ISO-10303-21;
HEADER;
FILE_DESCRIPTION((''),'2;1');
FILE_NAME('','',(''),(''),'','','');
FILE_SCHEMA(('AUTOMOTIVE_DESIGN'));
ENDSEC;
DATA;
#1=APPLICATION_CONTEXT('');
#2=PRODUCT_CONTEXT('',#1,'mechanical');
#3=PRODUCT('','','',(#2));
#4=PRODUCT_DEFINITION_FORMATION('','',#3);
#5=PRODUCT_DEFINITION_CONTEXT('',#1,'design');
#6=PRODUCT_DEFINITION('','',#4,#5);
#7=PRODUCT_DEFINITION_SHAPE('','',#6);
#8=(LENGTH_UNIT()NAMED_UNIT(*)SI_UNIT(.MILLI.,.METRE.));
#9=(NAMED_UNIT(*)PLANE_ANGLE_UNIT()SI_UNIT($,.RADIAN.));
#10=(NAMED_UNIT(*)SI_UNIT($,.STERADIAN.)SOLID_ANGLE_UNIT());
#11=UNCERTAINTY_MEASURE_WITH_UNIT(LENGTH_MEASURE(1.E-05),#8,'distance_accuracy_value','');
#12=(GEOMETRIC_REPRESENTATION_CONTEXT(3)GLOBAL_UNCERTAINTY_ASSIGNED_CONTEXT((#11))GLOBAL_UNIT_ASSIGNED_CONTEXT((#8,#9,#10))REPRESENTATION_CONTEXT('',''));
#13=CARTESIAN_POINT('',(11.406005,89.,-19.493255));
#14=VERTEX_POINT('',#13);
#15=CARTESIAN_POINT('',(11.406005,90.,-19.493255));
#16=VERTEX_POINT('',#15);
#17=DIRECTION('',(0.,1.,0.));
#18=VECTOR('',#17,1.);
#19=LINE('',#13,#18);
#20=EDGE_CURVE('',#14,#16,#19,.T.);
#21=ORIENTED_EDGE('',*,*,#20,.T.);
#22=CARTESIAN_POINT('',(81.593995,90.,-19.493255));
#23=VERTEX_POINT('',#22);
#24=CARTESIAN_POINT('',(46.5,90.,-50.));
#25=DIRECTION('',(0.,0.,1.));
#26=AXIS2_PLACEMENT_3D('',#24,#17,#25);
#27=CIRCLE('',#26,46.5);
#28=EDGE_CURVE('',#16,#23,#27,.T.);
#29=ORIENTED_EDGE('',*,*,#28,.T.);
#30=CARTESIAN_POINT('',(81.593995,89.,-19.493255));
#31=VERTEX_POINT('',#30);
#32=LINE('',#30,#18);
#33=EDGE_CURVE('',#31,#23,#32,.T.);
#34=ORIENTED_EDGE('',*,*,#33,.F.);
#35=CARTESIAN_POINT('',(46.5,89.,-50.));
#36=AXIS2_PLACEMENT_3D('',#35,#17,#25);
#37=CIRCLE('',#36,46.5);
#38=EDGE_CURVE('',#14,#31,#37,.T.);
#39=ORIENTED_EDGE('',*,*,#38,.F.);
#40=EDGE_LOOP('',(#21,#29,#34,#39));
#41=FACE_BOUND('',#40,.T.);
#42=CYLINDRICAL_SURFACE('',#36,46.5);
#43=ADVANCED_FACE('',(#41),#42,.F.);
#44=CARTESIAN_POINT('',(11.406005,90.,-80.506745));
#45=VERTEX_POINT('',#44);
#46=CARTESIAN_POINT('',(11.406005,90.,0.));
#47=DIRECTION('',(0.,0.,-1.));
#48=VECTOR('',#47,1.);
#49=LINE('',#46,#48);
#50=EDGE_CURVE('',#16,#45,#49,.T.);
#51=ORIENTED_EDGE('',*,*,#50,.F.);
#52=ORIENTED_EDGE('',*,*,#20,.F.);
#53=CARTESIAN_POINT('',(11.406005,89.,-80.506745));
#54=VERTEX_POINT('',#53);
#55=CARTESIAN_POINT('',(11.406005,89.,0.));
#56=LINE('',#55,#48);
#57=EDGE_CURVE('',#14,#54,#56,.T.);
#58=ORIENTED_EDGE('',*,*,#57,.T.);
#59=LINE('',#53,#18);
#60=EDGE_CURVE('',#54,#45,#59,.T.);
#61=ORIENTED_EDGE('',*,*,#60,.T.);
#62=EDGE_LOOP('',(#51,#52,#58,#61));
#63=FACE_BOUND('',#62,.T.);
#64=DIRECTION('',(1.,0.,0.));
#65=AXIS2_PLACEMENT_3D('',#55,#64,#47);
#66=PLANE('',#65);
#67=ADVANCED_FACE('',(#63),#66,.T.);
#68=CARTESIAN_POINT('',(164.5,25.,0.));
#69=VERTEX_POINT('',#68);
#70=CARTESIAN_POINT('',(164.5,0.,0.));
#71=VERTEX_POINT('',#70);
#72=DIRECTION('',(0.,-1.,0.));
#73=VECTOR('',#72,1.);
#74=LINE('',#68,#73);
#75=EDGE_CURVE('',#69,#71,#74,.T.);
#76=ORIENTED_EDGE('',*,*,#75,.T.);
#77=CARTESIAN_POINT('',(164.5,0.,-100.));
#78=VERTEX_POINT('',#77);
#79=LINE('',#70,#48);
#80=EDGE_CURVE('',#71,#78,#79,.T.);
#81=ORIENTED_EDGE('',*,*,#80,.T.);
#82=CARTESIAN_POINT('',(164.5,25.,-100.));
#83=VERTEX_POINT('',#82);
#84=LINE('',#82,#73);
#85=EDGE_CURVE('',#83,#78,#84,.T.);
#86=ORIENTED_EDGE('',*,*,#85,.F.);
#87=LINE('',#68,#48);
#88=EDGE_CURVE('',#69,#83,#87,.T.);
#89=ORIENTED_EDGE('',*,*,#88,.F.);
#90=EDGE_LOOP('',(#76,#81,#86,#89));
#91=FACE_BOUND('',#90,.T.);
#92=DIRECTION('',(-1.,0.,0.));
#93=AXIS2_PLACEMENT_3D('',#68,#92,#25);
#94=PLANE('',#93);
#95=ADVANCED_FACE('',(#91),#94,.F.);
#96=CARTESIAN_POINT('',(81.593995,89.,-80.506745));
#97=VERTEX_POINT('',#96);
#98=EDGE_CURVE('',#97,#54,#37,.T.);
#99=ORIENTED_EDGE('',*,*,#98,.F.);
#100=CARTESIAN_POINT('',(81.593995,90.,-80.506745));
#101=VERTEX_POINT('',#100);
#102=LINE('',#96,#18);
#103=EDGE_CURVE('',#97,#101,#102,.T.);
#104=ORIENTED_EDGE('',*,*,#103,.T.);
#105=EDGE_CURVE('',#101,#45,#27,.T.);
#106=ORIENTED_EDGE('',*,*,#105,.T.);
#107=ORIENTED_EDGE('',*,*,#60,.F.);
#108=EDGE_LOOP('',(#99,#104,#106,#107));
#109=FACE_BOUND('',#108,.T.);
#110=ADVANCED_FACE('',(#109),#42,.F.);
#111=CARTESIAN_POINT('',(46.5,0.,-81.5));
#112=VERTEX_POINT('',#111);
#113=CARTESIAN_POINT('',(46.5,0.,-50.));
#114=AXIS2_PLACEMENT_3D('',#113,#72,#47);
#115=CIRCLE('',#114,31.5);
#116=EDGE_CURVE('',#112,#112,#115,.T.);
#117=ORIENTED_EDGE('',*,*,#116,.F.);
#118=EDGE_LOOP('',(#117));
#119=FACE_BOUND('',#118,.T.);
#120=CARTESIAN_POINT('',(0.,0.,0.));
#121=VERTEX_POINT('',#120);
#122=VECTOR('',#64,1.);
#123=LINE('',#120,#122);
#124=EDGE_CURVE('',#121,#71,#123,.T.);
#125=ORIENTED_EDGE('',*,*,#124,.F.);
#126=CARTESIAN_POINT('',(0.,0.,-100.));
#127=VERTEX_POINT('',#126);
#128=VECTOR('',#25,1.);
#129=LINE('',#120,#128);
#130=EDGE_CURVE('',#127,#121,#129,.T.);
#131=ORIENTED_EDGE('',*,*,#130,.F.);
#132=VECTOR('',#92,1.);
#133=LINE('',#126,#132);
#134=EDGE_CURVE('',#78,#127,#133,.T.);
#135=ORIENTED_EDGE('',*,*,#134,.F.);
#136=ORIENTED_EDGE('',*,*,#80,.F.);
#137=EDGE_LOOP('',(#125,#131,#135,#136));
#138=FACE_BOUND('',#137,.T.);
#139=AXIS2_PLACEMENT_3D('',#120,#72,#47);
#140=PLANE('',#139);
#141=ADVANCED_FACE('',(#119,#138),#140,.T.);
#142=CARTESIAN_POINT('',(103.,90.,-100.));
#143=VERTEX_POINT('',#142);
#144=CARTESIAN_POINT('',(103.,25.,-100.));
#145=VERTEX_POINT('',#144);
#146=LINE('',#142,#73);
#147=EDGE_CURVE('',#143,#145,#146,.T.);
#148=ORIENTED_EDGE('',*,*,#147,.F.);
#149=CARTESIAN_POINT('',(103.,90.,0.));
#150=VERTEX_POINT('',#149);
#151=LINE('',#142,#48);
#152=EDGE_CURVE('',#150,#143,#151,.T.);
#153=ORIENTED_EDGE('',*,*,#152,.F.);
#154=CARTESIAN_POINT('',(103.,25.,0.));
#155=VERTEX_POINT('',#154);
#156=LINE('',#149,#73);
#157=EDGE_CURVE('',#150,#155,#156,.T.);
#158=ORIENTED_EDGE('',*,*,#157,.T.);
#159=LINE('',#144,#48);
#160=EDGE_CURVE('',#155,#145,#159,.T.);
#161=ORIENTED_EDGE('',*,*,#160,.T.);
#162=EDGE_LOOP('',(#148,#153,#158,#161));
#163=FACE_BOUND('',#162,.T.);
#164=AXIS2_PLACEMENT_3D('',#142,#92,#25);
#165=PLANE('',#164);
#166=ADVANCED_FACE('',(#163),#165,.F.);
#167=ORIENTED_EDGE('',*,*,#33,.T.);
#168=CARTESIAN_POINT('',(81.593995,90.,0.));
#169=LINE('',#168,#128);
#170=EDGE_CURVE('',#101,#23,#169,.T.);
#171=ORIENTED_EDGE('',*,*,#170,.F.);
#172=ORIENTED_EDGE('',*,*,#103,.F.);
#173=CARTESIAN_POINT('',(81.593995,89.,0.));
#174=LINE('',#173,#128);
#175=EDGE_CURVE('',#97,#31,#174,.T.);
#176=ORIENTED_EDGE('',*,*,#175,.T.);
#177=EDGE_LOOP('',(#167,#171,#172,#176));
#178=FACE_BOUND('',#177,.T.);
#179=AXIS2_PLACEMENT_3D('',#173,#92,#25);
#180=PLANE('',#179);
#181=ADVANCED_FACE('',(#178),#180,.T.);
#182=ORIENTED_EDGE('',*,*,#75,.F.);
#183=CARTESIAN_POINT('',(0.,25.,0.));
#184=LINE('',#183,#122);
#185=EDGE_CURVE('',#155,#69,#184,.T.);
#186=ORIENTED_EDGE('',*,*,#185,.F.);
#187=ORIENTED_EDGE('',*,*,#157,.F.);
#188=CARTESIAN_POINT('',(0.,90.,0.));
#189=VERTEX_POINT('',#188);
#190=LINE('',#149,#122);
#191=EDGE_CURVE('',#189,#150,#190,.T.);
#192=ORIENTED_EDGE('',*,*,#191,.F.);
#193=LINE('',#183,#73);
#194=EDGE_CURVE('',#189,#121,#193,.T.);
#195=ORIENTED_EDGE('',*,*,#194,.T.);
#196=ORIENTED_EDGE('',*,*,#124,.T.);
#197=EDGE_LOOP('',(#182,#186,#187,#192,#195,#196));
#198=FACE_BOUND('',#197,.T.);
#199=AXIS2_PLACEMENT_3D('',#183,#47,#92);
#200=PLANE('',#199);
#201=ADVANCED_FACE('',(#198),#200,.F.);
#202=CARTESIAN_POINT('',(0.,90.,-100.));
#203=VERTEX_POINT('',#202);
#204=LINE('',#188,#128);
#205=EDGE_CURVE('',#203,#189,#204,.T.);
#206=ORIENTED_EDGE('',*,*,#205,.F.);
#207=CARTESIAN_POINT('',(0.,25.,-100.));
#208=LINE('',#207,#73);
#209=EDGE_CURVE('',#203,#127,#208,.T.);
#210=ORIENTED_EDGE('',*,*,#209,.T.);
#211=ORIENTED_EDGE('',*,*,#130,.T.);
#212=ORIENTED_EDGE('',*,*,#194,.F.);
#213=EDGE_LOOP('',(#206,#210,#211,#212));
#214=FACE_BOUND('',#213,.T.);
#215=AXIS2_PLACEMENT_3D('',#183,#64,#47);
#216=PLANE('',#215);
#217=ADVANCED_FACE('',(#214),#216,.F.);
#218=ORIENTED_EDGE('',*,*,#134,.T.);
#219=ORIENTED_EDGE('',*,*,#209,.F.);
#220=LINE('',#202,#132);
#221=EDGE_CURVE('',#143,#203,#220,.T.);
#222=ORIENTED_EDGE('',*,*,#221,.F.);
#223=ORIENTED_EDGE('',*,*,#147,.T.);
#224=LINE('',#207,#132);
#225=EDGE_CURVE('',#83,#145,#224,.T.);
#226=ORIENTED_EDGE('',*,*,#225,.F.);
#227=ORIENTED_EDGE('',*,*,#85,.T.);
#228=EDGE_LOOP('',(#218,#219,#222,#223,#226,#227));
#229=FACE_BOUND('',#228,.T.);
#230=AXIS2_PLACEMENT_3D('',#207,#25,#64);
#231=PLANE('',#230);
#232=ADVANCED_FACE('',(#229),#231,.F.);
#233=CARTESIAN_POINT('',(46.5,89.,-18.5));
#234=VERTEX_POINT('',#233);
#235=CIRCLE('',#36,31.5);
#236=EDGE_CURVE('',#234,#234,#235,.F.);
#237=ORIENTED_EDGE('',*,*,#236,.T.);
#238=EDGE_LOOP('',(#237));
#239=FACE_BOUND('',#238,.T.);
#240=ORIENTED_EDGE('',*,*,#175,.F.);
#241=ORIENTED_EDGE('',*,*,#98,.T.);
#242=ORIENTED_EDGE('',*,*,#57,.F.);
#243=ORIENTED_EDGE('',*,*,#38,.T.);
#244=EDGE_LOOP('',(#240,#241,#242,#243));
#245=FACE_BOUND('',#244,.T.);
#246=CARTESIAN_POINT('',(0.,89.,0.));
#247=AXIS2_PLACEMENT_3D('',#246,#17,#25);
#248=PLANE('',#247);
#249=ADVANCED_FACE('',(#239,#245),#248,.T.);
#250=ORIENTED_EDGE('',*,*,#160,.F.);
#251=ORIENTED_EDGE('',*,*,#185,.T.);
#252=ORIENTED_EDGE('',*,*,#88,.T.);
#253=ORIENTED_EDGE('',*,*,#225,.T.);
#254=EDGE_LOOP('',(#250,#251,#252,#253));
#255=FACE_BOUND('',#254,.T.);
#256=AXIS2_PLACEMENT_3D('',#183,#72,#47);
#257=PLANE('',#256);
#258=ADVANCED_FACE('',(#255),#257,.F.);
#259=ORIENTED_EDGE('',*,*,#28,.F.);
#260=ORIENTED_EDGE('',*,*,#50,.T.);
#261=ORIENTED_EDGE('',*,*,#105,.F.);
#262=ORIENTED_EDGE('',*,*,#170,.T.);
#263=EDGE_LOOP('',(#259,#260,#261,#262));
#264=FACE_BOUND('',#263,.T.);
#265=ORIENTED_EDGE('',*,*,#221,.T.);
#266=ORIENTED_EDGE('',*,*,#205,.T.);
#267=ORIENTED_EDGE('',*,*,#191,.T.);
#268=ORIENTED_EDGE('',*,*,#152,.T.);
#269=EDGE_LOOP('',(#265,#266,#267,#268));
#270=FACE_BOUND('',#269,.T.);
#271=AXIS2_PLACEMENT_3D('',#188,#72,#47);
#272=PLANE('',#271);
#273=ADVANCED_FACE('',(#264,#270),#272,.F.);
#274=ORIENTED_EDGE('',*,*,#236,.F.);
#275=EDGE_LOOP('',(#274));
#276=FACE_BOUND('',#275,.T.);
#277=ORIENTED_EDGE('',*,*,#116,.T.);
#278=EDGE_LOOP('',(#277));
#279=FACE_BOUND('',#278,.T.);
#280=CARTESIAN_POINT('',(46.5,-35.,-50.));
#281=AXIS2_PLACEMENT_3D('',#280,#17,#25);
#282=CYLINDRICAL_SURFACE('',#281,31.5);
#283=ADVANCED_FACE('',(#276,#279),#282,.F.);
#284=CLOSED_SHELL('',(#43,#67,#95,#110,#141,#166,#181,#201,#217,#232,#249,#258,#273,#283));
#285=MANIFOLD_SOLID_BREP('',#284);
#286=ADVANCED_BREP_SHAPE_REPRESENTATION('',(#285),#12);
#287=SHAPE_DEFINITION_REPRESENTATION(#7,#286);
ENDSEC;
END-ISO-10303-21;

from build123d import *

# Parameters (mm, degrees)
SKETCH_1_W          = 164.5
SKETCH_1_H          = 100
EXTRUDE_1_DEPTH     = 25
SKETCH_2_W          = 103
SKETCH_2_H          = 100
EXTRUDE_2_DEPTH     = 65
CUT_EXTRUDE_3_DEPTH = 125
CUT_EXTRUDE_4_DEPTH = 1


with BuildPart() as part:
    # 草图1 → 凸台-拉伸1 (new body)
    with BuildSketch(Plane(origin=(0, 0, 0), x_dir=(1, 0, 0), z_dir=(0, 1, 0))):
        with Locations((82.25, 50)):
            Rectangle(SKETCH_1_W, SKETCH_1_H)
    extrude(amount=EXTRUDE_1_DEPTH)

    # 草图2 → 凸台-拉伸2 (add)
    with BuildSketch(Plane(origin=(0, 25, 0), x_dir=(1, 0, 0), z_dir=(0, 1, 0))):
        with Locations((51.5, 50)):
            Rectangle(SKETCH_2_W, SKETCH_2_H)
    extrude(amount=EXTRUDE_2_DEPTH)

    # 草图5 → 切除-拉伸3 (cut)
    with BuildSketch(Plane(origin=(0, 90, 0), x_dir=(1, 0, 0), z_dir=(0, 1, 0))):
        with BuildLine():
            ThreePointArc((78, 50), (46.5, 81.5), (15, 50))
            ThreePointArc((15, 50), (46.5, 18.5), (78, 50))
        make_face()
    extrude(amount=-CUT_EXTRUDE_3_DEPTH, mode=Mode.SUBTRACT)

    # 草图6 → 切除-拉伸4 (cut)
    with BuildSketch(Plane(origin=(0, 90, 0), x_dir=(1, 0, 0), z_dir=(0, 1, 0))):
        with BuildLine():
            Line((81.59399548, 19.493255152), (81.59399548, 80.506744848))
            ThreePointArc((81.59399548, 80.506744848), (46.5, 96.5), (11.40600452, 80.506744848))
            Line((11.40600452, 80.506744848), (11.40600452, 19.493255152))
            ThreePointArc((11.40600452, 19.493255152), (46.5, 3.5), (81.59399548, 19.493255152))
        make_face()
        with BuildLine():
            ThreePointArc((78, 50), (16.994826039, 38.96846749), (70.273351777, 70.665859413))
            ThreePointArc((70.273351777, 70.665859413), (76.005173961, 61.03153251), (78, 50))
        make_face(mode=Mode.SUBTRACT)
    extrude(amount=-CUT_EXTRUDE_4_DEPTH, mode=Mode.SUBTRACT)


solid = part.part
